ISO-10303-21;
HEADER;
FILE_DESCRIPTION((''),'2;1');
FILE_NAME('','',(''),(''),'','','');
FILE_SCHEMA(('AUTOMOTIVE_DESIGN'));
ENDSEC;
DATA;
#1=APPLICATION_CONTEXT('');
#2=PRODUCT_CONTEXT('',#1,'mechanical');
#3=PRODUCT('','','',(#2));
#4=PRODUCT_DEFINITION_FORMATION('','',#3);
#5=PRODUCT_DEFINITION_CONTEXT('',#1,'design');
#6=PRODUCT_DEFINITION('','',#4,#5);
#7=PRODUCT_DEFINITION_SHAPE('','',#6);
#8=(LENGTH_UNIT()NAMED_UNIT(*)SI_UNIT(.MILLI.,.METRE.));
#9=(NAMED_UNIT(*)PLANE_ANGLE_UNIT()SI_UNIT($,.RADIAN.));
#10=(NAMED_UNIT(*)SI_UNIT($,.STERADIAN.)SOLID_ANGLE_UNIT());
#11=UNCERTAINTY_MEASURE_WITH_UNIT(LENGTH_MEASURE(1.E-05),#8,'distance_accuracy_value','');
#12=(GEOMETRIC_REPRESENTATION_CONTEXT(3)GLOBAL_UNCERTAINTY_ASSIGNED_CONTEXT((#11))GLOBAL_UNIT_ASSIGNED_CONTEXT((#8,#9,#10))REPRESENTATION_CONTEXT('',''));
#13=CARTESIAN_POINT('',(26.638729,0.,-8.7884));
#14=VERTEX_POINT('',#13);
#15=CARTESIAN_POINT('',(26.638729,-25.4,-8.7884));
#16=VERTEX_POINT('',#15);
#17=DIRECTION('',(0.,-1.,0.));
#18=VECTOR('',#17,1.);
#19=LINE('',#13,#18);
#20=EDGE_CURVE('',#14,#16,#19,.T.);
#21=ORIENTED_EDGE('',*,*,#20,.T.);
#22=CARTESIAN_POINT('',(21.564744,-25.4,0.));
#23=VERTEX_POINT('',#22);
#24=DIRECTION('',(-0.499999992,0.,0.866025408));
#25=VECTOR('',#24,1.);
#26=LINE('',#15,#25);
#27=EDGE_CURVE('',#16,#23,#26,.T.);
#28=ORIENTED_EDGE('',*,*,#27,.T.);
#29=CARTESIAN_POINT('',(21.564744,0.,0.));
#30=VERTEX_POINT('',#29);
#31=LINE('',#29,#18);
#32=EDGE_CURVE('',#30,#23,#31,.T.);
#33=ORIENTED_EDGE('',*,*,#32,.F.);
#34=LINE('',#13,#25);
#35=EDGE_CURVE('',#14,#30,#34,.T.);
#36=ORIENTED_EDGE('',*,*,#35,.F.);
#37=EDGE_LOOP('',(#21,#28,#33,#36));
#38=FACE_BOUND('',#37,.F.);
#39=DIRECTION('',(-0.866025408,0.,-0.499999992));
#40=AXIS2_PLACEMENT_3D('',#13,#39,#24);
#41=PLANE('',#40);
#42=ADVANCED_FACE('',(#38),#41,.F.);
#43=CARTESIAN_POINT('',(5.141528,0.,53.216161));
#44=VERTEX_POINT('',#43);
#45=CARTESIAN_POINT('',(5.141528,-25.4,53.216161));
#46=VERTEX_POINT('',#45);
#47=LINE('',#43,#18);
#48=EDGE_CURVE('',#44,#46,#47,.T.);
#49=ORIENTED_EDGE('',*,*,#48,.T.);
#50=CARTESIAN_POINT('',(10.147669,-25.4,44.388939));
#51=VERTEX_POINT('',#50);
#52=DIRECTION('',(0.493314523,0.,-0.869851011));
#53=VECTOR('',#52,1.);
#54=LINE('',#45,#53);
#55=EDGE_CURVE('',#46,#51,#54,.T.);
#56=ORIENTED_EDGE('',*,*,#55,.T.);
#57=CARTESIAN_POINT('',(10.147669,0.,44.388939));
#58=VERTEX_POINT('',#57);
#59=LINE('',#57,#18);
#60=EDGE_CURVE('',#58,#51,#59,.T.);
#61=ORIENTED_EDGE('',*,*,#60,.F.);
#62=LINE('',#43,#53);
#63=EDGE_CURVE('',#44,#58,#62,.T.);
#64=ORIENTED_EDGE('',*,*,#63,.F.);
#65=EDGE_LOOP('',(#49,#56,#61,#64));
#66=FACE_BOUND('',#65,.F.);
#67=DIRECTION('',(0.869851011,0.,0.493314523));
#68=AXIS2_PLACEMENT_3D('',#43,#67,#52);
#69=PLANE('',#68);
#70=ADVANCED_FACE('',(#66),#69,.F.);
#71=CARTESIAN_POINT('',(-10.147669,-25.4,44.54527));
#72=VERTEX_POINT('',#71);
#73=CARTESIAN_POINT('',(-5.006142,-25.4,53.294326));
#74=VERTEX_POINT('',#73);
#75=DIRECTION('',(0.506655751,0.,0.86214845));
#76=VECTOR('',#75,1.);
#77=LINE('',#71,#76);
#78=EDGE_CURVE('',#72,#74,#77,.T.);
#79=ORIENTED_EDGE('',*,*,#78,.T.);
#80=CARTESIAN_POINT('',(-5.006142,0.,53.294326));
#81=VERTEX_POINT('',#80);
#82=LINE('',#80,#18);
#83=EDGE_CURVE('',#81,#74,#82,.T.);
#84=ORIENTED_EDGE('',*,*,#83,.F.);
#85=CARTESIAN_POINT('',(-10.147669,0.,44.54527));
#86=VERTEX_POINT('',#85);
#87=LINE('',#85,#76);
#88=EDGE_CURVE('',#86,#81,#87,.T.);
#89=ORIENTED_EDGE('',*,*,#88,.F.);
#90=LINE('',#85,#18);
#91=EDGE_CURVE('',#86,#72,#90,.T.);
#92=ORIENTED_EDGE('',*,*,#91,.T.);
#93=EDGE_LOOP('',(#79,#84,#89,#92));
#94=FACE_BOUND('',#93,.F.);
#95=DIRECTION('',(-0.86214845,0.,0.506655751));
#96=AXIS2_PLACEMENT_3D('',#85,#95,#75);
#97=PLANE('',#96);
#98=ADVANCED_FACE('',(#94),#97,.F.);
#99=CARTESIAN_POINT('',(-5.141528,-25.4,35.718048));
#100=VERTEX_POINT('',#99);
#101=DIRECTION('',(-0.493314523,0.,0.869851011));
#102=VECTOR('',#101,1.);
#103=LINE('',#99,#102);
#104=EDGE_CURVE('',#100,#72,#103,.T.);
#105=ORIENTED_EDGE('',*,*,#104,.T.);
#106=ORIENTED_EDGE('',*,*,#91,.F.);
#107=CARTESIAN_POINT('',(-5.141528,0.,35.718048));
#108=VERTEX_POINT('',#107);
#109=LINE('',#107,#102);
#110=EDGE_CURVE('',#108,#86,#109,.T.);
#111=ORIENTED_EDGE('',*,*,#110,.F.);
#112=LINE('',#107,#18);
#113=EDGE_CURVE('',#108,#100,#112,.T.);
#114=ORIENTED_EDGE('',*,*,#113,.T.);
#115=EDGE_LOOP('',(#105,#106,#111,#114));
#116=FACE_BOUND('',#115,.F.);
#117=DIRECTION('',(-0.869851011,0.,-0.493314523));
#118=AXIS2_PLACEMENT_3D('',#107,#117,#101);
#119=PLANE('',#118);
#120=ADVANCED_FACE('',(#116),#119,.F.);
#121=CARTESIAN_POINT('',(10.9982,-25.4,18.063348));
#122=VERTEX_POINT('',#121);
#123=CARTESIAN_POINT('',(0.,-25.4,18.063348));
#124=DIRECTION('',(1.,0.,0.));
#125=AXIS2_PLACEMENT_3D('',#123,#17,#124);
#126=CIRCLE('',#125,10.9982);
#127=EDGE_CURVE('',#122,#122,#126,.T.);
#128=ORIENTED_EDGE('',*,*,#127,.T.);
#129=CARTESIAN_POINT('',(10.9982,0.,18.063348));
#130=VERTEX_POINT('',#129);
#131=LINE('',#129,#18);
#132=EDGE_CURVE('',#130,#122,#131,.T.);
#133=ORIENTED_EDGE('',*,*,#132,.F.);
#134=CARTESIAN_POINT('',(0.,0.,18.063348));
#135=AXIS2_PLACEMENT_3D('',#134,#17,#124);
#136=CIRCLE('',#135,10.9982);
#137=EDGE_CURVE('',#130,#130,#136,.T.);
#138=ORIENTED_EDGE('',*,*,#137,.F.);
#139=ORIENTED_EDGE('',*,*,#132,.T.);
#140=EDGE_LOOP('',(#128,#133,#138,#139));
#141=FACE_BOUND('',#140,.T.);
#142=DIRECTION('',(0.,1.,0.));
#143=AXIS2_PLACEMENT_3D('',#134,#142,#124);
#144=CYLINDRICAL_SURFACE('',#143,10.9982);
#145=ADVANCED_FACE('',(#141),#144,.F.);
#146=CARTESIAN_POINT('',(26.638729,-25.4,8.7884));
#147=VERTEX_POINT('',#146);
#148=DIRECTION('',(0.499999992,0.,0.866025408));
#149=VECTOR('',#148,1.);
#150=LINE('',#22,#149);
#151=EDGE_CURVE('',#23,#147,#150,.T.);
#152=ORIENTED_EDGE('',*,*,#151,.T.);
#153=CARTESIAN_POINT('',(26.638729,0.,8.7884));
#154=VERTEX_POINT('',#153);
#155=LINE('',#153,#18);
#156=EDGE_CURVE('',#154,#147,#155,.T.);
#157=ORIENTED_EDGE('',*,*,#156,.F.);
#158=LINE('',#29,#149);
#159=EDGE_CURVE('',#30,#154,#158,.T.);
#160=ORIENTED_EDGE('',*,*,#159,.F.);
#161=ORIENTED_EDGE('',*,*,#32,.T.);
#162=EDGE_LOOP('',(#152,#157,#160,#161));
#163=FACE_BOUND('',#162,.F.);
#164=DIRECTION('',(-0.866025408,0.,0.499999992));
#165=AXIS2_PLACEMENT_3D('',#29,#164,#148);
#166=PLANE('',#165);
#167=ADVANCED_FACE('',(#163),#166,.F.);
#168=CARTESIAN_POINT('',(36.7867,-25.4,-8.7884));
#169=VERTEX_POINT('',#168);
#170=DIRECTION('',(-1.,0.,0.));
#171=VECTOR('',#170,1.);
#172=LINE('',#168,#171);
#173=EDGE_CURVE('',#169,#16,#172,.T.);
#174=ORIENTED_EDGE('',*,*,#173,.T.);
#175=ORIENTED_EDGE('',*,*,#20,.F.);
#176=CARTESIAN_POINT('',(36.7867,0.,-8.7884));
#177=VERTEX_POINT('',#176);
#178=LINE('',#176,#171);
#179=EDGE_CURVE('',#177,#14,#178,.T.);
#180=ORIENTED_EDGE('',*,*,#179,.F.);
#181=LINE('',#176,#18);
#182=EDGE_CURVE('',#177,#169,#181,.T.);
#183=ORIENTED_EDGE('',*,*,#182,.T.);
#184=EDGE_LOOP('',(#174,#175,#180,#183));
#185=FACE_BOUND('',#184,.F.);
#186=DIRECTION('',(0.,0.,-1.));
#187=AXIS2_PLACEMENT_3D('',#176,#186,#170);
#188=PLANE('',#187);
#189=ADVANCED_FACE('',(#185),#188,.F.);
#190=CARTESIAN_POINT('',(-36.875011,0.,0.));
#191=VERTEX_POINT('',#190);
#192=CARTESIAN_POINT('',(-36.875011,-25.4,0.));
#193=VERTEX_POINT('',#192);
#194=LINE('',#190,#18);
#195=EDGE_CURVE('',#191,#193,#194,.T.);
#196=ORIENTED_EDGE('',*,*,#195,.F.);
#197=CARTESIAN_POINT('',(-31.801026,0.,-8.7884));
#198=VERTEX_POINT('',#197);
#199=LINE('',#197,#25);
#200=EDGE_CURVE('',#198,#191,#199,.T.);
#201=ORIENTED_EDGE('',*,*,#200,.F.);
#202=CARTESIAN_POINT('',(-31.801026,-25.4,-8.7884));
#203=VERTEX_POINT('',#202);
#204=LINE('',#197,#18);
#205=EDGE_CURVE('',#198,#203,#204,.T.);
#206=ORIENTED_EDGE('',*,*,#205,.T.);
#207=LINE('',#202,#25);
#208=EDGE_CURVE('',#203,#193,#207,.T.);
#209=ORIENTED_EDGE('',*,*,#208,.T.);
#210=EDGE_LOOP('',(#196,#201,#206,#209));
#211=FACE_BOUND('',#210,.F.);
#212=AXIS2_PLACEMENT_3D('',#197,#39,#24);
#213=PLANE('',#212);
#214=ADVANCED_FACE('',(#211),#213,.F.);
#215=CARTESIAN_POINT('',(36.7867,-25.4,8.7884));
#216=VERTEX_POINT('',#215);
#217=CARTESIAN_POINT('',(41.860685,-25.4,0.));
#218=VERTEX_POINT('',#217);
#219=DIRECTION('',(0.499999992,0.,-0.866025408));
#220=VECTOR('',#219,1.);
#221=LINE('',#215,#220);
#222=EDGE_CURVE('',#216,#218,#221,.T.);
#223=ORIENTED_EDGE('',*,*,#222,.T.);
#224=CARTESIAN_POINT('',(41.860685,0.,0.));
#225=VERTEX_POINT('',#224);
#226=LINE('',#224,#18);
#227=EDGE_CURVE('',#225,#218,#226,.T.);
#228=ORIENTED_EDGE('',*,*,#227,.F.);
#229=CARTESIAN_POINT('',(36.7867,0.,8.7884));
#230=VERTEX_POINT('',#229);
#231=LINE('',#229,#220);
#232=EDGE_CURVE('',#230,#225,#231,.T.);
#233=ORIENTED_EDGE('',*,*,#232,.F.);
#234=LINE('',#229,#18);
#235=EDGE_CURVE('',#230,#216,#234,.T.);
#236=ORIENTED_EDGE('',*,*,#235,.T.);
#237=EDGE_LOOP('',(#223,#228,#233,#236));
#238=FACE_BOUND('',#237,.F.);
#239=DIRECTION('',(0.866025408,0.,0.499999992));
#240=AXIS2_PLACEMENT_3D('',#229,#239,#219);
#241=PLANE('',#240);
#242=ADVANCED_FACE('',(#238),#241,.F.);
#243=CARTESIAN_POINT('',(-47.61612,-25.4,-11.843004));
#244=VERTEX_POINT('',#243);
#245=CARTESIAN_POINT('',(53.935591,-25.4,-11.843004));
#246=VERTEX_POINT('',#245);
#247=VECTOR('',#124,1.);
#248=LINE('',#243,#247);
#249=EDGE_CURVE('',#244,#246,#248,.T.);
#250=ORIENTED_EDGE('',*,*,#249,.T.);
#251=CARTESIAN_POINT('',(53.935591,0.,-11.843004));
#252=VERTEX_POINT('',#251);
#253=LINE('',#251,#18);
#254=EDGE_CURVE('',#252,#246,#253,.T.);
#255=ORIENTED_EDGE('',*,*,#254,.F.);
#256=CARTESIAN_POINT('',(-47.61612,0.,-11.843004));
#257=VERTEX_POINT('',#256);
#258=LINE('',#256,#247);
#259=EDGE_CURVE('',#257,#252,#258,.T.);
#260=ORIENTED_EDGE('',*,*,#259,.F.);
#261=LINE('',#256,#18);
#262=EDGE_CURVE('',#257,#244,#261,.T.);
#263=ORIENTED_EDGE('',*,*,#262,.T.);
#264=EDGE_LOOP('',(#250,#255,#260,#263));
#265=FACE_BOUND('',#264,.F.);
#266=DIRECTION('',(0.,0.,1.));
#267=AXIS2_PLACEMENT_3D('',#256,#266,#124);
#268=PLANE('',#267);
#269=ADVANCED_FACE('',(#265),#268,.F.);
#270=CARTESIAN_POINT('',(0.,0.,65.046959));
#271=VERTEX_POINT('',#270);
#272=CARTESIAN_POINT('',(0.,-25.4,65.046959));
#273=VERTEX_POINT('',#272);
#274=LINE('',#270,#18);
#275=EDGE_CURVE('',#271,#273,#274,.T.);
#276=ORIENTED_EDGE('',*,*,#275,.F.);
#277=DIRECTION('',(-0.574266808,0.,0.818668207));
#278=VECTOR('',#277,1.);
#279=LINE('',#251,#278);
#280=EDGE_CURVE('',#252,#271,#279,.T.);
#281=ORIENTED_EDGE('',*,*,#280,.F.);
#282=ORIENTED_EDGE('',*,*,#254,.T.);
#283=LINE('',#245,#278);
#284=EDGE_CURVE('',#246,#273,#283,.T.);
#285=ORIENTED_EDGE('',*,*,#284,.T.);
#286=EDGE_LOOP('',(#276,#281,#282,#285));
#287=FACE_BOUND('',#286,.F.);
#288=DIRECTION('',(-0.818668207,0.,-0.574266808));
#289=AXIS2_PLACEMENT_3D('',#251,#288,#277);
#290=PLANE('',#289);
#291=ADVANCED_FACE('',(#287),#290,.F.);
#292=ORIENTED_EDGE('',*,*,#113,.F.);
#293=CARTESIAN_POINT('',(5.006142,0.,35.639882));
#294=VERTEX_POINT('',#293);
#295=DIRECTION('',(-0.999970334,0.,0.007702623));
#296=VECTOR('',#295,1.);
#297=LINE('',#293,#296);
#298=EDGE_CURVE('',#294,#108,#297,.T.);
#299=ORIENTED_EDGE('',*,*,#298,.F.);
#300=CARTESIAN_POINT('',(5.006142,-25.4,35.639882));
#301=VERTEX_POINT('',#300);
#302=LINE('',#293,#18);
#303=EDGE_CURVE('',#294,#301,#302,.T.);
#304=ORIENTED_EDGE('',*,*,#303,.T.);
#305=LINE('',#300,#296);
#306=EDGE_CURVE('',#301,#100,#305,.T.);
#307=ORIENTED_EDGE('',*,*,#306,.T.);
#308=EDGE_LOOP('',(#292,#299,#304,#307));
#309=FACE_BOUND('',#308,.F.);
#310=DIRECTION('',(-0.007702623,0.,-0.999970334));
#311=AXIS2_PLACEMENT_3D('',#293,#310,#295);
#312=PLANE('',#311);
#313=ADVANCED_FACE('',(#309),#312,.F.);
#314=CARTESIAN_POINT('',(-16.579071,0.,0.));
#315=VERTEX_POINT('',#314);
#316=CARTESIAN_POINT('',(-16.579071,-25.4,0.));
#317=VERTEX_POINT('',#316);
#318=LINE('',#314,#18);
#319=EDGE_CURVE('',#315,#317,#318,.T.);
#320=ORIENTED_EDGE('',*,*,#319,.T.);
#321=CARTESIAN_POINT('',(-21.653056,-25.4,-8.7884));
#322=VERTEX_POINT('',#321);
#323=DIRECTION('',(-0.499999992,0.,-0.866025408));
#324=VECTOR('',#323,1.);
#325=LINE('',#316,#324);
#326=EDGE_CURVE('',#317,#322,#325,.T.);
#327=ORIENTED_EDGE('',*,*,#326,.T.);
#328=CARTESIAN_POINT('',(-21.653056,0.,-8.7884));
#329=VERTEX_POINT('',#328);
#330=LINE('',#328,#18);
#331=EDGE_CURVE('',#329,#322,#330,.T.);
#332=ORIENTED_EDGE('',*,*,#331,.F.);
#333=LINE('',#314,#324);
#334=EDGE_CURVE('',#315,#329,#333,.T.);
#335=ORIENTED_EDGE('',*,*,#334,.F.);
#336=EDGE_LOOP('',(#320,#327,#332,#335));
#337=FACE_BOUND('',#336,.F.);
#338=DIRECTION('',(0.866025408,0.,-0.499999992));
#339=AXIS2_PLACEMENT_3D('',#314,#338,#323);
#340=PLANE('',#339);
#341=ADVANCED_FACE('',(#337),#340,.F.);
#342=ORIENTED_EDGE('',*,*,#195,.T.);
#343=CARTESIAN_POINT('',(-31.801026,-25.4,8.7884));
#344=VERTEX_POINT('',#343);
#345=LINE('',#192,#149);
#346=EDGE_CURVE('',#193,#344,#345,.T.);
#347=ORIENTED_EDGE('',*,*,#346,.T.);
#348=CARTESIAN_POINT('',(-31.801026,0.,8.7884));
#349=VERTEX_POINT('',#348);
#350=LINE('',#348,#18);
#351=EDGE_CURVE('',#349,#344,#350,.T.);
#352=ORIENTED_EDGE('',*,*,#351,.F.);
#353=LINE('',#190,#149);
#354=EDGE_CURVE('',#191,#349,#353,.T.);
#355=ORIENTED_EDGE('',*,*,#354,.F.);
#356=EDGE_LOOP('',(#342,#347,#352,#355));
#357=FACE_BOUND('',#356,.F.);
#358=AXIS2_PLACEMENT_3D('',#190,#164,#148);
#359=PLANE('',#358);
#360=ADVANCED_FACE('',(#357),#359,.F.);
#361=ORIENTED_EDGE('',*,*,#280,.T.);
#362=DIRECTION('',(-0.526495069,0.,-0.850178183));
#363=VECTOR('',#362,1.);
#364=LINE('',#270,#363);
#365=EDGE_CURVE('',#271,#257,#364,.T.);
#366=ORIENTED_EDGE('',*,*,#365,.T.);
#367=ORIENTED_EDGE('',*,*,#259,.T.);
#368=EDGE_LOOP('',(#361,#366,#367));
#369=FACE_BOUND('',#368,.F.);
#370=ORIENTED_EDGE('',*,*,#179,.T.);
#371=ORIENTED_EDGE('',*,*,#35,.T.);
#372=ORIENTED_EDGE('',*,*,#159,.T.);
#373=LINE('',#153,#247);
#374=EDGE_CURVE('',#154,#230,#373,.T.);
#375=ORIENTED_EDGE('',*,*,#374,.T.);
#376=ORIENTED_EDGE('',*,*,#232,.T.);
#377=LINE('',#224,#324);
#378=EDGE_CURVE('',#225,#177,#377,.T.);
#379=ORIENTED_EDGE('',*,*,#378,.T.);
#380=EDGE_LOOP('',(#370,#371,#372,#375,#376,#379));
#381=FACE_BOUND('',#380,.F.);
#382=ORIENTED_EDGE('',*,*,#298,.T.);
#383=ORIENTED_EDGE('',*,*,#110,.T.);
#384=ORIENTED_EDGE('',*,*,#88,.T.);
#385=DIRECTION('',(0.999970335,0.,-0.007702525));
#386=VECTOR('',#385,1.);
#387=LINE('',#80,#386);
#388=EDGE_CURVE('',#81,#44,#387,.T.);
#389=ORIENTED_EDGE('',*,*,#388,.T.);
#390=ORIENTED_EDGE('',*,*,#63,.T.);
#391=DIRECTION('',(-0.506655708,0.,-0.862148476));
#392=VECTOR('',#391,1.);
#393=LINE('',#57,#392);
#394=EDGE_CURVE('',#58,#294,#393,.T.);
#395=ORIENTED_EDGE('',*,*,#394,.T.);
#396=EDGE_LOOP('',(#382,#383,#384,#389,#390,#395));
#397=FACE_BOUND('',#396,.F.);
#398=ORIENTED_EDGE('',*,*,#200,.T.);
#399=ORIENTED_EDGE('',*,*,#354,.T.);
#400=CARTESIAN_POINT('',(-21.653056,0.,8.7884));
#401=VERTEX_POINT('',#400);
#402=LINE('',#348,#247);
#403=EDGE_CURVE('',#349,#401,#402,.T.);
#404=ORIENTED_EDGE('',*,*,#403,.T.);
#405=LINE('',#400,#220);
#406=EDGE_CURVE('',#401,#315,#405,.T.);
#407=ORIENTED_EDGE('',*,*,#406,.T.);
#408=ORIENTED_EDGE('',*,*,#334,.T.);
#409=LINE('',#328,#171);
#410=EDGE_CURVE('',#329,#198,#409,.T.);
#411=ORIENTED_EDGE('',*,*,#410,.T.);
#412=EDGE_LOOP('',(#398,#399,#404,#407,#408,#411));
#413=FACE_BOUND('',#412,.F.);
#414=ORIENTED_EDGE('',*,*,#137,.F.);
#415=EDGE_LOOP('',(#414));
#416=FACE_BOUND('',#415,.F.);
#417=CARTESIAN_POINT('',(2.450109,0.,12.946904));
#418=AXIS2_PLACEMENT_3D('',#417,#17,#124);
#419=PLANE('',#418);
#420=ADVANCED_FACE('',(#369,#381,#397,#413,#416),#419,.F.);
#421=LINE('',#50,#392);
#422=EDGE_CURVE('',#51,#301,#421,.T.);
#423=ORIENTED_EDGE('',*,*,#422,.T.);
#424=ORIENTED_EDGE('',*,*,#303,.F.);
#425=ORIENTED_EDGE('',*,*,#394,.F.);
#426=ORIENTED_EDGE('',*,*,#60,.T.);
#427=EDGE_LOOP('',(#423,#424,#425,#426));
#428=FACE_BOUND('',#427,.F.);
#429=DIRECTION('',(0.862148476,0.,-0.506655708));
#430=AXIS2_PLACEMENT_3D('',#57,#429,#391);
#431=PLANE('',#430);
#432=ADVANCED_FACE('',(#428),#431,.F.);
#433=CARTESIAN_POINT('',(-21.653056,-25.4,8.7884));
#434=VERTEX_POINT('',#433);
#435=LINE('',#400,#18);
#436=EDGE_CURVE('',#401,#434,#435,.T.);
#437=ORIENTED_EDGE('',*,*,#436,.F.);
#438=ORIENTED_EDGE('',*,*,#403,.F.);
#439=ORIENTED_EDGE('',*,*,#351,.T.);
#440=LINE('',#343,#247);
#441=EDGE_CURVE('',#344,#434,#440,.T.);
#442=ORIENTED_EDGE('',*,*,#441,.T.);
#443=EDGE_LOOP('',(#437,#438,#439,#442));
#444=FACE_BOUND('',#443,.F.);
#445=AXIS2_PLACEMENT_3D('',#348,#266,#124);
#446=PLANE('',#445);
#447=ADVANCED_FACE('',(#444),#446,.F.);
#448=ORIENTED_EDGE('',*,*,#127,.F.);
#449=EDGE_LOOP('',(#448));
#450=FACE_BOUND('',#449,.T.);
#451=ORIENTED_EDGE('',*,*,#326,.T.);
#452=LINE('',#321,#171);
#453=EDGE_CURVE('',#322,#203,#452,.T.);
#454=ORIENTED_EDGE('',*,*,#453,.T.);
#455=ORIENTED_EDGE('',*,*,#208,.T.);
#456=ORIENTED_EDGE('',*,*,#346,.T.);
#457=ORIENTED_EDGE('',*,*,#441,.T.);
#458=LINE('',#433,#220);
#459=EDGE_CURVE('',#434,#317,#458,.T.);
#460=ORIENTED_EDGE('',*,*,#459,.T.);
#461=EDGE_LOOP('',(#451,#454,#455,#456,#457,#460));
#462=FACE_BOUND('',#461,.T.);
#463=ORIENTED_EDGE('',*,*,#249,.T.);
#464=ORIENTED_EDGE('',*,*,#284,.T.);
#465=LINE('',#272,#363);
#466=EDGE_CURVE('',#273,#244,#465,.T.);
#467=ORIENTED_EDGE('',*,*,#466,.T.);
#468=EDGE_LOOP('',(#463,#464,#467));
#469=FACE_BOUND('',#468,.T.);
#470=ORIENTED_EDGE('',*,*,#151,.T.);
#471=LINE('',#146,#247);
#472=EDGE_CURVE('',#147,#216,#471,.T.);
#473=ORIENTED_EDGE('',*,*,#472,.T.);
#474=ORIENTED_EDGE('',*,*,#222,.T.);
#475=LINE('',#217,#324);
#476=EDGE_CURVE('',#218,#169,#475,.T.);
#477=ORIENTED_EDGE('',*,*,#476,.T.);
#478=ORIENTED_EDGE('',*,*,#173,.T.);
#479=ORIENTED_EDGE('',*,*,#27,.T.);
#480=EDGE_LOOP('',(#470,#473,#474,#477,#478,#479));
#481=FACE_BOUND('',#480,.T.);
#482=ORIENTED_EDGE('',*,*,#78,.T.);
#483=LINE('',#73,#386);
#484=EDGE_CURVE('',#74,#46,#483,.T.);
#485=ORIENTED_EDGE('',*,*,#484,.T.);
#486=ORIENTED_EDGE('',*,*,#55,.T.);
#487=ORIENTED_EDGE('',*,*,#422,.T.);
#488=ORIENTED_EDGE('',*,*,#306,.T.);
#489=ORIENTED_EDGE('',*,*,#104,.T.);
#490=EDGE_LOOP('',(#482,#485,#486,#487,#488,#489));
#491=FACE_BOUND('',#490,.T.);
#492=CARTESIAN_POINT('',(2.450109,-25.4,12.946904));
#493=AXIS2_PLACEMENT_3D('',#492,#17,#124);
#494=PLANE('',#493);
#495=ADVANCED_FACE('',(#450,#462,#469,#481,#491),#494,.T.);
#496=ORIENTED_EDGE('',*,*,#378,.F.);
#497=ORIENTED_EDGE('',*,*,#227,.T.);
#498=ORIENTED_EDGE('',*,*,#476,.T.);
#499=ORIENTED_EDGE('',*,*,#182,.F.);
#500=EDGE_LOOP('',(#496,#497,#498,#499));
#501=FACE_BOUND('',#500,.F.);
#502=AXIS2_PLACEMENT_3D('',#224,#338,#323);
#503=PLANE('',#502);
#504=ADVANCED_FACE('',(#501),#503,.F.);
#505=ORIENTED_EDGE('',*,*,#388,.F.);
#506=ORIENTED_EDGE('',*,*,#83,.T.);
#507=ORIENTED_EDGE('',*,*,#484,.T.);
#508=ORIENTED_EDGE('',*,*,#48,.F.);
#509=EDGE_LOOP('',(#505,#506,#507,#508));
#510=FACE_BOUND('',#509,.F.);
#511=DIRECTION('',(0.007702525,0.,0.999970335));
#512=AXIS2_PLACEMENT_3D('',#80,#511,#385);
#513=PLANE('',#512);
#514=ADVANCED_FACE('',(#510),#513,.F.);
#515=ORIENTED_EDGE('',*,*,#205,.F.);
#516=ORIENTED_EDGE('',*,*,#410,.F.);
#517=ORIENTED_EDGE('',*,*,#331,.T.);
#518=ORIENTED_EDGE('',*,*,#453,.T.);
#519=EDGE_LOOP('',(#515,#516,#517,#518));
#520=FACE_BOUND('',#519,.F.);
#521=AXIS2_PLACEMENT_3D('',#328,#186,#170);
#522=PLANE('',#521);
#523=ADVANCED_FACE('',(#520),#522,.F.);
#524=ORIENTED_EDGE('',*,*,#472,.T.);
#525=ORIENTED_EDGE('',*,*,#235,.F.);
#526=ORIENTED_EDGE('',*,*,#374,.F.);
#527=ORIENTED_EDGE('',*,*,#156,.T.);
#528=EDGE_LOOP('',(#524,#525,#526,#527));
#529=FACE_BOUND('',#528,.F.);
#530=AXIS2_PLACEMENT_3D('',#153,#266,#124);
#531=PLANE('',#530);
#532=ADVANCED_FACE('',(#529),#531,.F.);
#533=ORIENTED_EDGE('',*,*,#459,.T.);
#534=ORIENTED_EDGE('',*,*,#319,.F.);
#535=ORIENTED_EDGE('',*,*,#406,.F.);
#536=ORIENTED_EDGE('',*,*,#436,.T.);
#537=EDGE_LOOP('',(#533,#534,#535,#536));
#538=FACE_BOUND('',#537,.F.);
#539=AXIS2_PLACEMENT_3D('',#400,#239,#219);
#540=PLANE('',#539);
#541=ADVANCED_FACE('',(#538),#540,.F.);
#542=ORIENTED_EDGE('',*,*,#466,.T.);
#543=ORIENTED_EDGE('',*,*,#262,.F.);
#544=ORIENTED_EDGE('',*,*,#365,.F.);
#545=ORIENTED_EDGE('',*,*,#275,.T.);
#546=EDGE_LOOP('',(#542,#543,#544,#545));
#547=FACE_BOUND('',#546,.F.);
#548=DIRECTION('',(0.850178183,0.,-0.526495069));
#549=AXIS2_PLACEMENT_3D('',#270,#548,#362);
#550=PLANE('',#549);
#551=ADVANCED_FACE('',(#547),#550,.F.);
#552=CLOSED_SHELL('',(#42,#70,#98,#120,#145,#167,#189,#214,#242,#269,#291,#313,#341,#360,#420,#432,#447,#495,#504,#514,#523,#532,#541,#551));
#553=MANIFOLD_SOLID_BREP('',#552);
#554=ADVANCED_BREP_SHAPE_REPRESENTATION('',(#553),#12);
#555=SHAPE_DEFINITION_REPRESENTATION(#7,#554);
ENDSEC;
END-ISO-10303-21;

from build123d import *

# Parameters (mm, degrees)
F0_R     = 10.9982
F1_DEPTH = 25.4
F2_DEPTH = 25.4


with BuildPart() as f1:
    # F0 (on Front) → F1 (new body)
    with BuildSketch(Plane.XZ):
        Polygon((53.935591, -11.843004), (0, 65.046959), (-47.61612, -11.843004), align=None)
        Polygon((-16.579071, 0), (-21.653056, -8.7884), (-26.727041, -8.7884), (-31.801026, -8.7884), (-36.875011, 0), (-31.801026, 8.7884), (-21.653056, 8.7884), align=None, mode=Mode.SUBTRACT)
        with Locations((0, 18.063348)):
            Circle(F0_R, mode=Mode.SUBTRACT)
        Polygon((41.860685, 0), (36.7867, -8.7884), (31.712715, -8.7884), (26.638729, -8.7884), (21.564744, 0), (26.638729, 8.7884), (36.7867, 8.7884), align=None, mode=Mode.SUBTRACT)
        Polygon((-5.006142, 53.294326), (5.141528, 53.216161), (10.147669, 44.388939), (5.006142, 35.639882), (-5.141528, 35.718048), (-10.147669, 44.54527), align=None, mode=Mode.SUBTRACT)
    extrude(amount=F1_DEPTH)

    # F0 (on Front) → F2 (join)
    with BuildSketch(Plane.XZ):
        Polygon((53.935591, -11.843004), (0, 65.046959), (-47.61612, -11.843004), align=None)
        Polygon((-16.579071, 0), (-21.653056, -8.7884), (-26.727041, -8.7884), (-31.801026, -8.7884), (-36.875011, 0), (-31.801026, 8.7884), (-21.653056, 8.7884), align=None, mode=Mode.SUBTRACT)
        with Locations((0, 18.063348)):
            Circle(F0_R, mode=Mode.SUBTRACT)
        Polygon((41.860685, 0), (36.7867, -8.7884), (31.712715, -8.7884), (26.638729, -8.7884), (21.564744, 0), (26.638729, 8.7884), (36.7867, 8.7884), align=None, mode=Mode.SUBTRACT)
        Polygon((-5.006142, 53.294326), (5.141528, 53.216161), (10.147669, 44.388939), (5.006142, 35.639882), (-5.141528, 35.718048), (-10.147669, 44.54527), align=None, mode=Mode.SUBTRACT)
    extrude(amount=F2_DEPTH)


solid = f1.part
